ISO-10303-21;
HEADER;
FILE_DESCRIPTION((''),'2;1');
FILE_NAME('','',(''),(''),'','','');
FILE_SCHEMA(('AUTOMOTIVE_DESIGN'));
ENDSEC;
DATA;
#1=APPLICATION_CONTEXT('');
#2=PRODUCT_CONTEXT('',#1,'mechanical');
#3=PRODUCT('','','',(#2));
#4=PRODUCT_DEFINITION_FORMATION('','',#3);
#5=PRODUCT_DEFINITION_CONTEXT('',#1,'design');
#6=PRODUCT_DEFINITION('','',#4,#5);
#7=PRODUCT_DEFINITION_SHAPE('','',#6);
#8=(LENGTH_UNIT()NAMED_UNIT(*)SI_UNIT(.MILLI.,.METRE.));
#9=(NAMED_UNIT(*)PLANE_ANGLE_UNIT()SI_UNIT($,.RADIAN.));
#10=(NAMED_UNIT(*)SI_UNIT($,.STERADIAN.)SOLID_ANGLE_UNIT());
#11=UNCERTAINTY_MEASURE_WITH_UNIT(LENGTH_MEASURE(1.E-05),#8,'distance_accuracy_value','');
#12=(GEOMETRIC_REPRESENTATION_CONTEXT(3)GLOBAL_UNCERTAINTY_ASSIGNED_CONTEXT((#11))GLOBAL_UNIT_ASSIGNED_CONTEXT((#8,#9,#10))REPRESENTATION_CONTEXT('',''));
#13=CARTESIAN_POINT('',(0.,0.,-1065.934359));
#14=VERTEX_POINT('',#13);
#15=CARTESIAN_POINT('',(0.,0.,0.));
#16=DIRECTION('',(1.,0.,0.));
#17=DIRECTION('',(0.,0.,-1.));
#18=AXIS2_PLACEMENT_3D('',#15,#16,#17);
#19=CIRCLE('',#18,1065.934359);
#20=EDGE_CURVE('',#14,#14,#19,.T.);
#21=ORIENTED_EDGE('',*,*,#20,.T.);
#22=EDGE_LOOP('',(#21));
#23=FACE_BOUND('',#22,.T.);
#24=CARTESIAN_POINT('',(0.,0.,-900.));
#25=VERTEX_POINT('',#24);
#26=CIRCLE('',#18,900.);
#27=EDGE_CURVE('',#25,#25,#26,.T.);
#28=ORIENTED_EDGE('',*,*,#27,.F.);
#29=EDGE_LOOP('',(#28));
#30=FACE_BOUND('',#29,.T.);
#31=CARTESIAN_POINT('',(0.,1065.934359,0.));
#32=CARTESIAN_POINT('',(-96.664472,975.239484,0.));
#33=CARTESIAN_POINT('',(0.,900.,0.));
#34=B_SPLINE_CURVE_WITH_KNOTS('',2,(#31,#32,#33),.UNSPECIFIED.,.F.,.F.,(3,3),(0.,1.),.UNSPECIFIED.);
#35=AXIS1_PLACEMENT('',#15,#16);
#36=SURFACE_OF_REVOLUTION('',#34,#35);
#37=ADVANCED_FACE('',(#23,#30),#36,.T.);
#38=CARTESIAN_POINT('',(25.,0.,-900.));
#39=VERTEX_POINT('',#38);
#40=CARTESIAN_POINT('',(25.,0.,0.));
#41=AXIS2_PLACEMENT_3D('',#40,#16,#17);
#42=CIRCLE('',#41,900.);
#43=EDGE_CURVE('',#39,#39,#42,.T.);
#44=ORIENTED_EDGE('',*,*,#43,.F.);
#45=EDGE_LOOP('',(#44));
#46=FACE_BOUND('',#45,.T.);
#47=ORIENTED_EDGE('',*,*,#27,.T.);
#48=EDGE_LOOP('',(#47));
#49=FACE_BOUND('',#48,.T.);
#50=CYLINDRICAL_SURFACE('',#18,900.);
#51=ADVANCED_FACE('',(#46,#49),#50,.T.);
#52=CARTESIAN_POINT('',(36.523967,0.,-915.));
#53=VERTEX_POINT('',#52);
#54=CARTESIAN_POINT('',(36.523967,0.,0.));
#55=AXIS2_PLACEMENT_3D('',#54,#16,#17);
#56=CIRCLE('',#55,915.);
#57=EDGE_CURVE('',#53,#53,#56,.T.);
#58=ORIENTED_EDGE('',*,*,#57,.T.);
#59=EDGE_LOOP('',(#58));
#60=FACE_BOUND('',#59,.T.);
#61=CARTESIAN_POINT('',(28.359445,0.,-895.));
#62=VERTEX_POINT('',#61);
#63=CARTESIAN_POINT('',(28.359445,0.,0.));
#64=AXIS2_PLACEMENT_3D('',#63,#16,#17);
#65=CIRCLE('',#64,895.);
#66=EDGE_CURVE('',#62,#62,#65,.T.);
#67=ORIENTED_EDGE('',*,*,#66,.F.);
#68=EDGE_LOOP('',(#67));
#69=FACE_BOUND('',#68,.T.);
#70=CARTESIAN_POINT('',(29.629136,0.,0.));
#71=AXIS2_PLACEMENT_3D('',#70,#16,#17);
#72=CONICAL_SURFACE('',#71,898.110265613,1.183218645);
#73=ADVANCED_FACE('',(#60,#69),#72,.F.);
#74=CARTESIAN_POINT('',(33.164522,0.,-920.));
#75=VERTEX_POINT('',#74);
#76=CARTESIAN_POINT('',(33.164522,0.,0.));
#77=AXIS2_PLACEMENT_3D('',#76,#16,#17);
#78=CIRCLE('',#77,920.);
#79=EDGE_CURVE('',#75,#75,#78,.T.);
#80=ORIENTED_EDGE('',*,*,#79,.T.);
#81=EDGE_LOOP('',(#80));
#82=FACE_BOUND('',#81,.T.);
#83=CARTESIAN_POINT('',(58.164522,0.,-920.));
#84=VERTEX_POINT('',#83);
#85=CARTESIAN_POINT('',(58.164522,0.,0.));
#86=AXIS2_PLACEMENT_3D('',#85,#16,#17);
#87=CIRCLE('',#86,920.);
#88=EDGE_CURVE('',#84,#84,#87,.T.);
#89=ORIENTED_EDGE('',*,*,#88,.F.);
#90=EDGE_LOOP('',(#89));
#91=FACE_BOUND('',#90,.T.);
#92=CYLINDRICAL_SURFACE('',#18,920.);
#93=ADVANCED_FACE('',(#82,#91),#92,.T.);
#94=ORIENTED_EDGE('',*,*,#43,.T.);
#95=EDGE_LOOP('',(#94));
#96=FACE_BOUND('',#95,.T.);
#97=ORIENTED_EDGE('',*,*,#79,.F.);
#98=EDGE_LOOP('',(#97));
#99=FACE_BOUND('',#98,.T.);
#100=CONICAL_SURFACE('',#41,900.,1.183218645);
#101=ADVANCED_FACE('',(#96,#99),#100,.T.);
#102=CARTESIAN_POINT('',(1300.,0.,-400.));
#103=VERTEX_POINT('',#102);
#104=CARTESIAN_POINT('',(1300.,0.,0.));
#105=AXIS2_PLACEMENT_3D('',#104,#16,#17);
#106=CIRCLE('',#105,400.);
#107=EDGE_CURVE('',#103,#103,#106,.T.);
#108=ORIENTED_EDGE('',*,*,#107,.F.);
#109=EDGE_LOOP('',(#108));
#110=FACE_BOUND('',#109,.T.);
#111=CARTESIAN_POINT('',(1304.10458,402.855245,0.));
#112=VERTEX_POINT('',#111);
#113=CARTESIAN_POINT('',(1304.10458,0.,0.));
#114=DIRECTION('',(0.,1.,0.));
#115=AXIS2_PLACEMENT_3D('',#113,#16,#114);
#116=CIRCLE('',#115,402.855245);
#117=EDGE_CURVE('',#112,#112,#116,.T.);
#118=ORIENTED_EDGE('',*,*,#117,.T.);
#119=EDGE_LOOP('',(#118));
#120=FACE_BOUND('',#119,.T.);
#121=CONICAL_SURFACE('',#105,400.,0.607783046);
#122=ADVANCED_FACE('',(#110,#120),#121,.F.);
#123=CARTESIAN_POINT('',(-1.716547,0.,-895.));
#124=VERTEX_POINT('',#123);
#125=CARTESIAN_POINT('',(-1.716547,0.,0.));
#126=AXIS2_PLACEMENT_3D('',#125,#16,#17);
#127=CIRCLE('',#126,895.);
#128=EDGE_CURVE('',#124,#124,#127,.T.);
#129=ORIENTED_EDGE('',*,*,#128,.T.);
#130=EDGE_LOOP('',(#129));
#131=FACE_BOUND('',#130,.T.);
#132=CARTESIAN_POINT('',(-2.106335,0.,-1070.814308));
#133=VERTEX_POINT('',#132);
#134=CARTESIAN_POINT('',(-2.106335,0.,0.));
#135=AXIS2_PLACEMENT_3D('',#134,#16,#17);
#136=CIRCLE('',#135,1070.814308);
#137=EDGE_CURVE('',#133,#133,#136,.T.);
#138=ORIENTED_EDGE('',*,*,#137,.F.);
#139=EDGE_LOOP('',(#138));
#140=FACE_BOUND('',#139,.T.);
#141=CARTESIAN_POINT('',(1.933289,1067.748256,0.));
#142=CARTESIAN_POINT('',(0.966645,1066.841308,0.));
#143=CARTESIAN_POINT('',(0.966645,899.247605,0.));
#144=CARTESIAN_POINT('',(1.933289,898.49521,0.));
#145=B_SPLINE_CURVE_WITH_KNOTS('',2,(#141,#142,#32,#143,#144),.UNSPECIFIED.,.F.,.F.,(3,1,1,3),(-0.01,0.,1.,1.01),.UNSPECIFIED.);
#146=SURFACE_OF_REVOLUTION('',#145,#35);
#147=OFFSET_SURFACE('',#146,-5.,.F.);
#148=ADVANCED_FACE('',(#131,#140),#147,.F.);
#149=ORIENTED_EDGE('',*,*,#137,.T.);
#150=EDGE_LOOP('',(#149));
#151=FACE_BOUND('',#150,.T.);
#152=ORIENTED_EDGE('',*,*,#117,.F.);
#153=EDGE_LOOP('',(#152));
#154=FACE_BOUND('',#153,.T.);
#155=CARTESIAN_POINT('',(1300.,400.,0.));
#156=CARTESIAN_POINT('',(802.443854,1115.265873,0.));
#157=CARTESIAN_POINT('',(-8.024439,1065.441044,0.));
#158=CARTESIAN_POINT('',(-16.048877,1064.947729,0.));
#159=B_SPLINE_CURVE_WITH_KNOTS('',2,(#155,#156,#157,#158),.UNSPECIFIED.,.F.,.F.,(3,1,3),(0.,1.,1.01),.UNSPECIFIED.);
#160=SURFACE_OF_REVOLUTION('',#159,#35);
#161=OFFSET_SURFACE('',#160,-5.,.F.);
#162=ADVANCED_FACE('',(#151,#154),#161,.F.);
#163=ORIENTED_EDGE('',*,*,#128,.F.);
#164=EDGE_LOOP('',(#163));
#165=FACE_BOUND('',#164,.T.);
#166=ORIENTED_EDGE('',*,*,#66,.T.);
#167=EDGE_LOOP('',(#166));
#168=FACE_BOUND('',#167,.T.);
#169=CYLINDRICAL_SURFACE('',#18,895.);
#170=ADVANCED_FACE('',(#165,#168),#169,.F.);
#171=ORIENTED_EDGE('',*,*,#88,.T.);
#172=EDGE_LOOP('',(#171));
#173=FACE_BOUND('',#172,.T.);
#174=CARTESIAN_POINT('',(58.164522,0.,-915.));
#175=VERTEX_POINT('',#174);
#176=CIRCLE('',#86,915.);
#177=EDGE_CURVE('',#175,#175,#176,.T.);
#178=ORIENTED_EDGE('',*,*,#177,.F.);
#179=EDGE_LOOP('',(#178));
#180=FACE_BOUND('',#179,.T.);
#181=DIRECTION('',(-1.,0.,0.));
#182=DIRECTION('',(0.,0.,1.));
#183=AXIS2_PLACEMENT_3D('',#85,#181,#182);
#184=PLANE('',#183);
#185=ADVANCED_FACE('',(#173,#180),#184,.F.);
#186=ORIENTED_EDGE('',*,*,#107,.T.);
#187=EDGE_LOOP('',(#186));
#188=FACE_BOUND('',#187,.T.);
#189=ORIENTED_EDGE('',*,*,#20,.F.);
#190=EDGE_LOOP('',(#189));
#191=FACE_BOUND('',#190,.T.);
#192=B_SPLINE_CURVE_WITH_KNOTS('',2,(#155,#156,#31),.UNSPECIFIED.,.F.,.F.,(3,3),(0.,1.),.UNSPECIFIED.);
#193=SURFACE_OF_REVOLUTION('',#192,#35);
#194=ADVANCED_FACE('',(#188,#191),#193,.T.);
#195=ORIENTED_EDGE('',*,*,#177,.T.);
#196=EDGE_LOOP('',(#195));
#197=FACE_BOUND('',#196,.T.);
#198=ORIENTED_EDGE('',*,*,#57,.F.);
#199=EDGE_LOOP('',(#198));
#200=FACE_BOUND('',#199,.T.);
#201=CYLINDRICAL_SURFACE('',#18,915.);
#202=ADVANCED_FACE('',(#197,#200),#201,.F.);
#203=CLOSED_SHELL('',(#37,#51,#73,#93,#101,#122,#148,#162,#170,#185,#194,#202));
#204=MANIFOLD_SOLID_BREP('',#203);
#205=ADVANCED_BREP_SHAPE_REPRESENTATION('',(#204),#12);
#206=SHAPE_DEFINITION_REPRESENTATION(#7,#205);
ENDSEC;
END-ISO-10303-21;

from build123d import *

# Parameters (mm, degrees)
THICKEN1_T1 = 5


with BuildPart() as body_1:
    # Surface-Revolve1: a surface, the sketch's curves turned about an axis
    with BuildLine(Plane.XY, mode=Mode.PRIVATE) as surface_revolve1_1_path:
        Line((58.164522356, 920), (33.164522356, 920))
        Line((33.164522356, 920), (25, 900))
        Line((25, 900), (0, 900))
        add(Edge.make_bspline(
            [(0, 900), (-96.66447243, 975.239483691), (0, 1065.934358968)],
            knots=[0, 0, 0, 1, 1, 1], degree=2))
        add(Edge.make_bspline(
            [(0, 1065.934358968), (802.443853744, 1115.265873196), (1300, 400)],
            knots=[0, 0, 0, 1, 1, 1], degree=2))
    surface_revolve1_1 = Shell.revolve(surface_revolve1_1_path.wire(), 360, Axis((0, 0, 0), (1, 0, 0)))
    add(Solid.thicken(surface_revolve1_1, THICKEN1_T1))


solid = body_1.part
